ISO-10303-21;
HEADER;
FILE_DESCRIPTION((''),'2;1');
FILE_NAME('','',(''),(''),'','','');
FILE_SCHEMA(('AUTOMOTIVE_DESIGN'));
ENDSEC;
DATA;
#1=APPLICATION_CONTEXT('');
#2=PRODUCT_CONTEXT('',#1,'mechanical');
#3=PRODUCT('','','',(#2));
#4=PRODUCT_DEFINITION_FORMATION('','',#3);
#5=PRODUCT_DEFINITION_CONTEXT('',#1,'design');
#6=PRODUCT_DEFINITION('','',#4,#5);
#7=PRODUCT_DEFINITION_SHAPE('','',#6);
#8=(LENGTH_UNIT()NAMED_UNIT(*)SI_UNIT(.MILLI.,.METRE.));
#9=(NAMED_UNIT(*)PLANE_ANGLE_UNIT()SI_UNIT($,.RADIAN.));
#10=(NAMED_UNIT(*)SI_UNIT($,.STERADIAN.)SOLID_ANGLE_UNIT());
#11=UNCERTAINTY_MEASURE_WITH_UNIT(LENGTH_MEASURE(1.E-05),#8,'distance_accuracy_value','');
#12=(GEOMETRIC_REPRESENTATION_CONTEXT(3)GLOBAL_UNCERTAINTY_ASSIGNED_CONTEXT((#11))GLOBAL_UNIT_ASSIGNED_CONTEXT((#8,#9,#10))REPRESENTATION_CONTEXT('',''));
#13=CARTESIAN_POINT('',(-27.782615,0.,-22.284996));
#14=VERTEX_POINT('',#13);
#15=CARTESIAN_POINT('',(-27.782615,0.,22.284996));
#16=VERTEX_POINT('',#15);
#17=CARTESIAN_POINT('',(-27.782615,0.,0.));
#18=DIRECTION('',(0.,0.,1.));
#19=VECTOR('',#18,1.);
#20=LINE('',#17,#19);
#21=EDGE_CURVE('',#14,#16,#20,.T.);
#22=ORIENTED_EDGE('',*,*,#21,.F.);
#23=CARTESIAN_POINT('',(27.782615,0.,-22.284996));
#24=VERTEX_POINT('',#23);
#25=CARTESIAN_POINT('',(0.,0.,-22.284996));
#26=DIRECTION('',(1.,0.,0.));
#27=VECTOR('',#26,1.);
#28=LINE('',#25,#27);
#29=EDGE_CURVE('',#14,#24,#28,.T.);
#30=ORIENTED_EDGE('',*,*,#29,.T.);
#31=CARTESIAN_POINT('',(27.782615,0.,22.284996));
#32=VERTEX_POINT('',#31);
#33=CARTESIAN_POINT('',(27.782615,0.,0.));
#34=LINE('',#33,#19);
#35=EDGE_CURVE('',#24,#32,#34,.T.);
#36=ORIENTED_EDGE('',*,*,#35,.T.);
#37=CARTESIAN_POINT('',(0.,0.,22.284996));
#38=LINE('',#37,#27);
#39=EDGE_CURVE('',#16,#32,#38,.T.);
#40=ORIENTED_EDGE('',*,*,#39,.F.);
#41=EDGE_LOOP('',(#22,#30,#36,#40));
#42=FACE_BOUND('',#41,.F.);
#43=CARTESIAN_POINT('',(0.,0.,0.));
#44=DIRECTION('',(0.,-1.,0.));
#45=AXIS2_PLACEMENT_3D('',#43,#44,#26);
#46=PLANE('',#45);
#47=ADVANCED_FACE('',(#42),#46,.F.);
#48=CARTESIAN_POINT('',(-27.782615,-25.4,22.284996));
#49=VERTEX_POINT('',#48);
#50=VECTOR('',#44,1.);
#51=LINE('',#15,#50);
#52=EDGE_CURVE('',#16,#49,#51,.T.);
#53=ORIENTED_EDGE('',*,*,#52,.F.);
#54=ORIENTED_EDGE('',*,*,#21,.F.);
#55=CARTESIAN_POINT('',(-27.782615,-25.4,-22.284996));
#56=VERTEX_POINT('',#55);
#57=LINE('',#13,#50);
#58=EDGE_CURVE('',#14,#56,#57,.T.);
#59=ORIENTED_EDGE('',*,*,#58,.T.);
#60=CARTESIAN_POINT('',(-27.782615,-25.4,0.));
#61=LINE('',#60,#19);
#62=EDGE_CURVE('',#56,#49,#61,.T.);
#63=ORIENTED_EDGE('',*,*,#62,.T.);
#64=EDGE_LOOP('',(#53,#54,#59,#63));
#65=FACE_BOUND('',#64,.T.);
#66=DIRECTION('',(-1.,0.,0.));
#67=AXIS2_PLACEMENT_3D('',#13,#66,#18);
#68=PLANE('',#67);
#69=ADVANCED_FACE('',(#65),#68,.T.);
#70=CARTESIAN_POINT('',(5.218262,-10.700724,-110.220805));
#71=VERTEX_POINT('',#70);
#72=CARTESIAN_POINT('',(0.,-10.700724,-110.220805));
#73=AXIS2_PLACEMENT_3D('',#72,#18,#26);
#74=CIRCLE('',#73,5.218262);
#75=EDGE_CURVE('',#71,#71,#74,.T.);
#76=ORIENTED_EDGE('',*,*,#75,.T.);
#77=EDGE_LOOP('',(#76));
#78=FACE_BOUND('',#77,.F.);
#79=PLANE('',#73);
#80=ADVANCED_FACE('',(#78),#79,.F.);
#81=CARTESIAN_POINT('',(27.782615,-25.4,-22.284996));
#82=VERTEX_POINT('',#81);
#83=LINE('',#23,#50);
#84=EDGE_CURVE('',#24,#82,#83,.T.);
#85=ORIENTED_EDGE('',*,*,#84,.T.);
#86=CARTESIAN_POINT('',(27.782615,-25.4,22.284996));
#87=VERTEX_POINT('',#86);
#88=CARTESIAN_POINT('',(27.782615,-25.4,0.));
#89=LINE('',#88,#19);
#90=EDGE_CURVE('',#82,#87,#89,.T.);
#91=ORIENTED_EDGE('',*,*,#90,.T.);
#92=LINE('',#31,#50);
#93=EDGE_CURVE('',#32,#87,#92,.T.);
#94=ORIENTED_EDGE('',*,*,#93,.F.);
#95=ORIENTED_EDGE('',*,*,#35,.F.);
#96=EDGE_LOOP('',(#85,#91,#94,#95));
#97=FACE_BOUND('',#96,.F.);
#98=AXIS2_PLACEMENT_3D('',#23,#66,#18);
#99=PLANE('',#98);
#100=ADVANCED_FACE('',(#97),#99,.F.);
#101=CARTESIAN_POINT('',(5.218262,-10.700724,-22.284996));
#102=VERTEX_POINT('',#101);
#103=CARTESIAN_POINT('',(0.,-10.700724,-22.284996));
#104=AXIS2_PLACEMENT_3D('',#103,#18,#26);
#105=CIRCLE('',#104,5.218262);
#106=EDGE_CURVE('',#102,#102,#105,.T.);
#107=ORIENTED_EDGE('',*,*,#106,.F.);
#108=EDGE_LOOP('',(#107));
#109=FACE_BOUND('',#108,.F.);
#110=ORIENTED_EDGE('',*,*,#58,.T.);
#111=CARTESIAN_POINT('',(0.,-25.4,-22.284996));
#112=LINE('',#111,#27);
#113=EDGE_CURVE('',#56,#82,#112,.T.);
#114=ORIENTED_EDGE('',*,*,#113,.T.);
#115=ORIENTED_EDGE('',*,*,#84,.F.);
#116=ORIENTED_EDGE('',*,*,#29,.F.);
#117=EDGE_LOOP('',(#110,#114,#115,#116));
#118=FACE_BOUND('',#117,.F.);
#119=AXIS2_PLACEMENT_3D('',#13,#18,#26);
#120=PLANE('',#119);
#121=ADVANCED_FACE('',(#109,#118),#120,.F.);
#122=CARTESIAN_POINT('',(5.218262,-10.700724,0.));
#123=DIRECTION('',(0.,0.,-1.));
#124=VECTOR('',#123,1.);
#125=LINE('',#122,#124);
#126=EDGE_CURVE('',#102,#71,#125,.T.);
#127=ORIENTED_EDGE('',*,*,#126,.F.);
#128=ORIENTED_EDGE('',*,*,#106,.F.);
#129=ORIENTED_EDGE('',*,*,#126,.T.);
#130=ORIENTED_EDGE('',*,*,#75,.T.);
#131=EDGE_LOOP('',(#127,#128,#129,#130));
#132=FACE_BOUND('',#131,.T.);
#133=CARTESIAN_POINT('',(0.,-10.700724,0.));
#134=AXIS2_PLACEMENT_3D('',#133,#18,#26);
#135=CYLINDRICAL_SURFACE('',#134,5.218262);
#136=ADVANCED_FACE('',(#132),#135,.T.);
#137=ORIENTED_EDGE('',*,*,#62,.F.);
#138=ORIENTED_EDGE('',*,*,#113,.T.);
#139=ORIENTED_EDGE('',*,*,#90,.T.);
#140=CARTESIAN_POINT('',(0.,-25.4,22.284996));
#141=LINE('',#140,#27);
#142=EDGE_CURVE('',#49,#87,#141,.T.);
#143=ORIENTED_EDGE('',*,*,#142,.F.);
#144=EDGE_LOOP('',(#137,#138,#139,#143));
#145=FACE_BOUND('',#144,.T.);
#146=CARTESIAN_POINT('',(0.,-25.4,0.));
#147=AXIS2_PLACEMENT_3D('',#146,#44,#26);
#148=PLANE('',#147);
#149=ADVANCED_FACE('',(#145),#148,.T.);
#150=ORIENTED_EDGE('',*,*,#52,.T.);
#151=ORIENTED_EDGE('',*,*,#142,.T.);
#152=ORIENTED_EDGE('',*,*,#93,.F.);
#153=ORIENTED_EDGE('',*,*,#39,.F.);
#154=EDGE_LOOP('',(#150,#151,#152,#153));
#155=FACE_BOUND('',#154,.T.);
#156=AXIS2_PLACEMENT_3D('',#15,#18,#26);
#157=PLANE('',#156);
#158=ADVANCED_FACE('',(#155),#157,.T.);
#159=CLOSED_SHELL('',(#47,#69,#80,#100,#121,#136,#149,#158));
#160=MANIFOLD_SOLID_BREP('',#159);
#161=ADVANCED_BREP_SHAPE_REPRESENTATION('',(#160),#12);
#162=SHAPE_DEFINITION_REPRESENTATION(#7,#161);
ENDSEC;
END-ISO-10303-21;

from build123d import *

# Parameters (mm, degrees)
F0_W     = 55.56523
F0_H     = 44.569992
F1_DEPTH = 25.4
F2_R     = 5.218262
F3_DEPTH = 110.220805


with BuildPart() as f1:
    # F0 (on Front) → F1 (new body)
    with BuildSketch(Plane.XZ):
        Rectangle(F0_W, F0_H)
    extrude(amount=F1_DEPTH)

    # F2 (on Top) → F3 (join)
    with BuildSketch(Plane.XY):
        with Locations((0, -10.700724)):
            Circle(F2_R)
    extrude(amount=-F3_DEPTH)


solid = f1.part
